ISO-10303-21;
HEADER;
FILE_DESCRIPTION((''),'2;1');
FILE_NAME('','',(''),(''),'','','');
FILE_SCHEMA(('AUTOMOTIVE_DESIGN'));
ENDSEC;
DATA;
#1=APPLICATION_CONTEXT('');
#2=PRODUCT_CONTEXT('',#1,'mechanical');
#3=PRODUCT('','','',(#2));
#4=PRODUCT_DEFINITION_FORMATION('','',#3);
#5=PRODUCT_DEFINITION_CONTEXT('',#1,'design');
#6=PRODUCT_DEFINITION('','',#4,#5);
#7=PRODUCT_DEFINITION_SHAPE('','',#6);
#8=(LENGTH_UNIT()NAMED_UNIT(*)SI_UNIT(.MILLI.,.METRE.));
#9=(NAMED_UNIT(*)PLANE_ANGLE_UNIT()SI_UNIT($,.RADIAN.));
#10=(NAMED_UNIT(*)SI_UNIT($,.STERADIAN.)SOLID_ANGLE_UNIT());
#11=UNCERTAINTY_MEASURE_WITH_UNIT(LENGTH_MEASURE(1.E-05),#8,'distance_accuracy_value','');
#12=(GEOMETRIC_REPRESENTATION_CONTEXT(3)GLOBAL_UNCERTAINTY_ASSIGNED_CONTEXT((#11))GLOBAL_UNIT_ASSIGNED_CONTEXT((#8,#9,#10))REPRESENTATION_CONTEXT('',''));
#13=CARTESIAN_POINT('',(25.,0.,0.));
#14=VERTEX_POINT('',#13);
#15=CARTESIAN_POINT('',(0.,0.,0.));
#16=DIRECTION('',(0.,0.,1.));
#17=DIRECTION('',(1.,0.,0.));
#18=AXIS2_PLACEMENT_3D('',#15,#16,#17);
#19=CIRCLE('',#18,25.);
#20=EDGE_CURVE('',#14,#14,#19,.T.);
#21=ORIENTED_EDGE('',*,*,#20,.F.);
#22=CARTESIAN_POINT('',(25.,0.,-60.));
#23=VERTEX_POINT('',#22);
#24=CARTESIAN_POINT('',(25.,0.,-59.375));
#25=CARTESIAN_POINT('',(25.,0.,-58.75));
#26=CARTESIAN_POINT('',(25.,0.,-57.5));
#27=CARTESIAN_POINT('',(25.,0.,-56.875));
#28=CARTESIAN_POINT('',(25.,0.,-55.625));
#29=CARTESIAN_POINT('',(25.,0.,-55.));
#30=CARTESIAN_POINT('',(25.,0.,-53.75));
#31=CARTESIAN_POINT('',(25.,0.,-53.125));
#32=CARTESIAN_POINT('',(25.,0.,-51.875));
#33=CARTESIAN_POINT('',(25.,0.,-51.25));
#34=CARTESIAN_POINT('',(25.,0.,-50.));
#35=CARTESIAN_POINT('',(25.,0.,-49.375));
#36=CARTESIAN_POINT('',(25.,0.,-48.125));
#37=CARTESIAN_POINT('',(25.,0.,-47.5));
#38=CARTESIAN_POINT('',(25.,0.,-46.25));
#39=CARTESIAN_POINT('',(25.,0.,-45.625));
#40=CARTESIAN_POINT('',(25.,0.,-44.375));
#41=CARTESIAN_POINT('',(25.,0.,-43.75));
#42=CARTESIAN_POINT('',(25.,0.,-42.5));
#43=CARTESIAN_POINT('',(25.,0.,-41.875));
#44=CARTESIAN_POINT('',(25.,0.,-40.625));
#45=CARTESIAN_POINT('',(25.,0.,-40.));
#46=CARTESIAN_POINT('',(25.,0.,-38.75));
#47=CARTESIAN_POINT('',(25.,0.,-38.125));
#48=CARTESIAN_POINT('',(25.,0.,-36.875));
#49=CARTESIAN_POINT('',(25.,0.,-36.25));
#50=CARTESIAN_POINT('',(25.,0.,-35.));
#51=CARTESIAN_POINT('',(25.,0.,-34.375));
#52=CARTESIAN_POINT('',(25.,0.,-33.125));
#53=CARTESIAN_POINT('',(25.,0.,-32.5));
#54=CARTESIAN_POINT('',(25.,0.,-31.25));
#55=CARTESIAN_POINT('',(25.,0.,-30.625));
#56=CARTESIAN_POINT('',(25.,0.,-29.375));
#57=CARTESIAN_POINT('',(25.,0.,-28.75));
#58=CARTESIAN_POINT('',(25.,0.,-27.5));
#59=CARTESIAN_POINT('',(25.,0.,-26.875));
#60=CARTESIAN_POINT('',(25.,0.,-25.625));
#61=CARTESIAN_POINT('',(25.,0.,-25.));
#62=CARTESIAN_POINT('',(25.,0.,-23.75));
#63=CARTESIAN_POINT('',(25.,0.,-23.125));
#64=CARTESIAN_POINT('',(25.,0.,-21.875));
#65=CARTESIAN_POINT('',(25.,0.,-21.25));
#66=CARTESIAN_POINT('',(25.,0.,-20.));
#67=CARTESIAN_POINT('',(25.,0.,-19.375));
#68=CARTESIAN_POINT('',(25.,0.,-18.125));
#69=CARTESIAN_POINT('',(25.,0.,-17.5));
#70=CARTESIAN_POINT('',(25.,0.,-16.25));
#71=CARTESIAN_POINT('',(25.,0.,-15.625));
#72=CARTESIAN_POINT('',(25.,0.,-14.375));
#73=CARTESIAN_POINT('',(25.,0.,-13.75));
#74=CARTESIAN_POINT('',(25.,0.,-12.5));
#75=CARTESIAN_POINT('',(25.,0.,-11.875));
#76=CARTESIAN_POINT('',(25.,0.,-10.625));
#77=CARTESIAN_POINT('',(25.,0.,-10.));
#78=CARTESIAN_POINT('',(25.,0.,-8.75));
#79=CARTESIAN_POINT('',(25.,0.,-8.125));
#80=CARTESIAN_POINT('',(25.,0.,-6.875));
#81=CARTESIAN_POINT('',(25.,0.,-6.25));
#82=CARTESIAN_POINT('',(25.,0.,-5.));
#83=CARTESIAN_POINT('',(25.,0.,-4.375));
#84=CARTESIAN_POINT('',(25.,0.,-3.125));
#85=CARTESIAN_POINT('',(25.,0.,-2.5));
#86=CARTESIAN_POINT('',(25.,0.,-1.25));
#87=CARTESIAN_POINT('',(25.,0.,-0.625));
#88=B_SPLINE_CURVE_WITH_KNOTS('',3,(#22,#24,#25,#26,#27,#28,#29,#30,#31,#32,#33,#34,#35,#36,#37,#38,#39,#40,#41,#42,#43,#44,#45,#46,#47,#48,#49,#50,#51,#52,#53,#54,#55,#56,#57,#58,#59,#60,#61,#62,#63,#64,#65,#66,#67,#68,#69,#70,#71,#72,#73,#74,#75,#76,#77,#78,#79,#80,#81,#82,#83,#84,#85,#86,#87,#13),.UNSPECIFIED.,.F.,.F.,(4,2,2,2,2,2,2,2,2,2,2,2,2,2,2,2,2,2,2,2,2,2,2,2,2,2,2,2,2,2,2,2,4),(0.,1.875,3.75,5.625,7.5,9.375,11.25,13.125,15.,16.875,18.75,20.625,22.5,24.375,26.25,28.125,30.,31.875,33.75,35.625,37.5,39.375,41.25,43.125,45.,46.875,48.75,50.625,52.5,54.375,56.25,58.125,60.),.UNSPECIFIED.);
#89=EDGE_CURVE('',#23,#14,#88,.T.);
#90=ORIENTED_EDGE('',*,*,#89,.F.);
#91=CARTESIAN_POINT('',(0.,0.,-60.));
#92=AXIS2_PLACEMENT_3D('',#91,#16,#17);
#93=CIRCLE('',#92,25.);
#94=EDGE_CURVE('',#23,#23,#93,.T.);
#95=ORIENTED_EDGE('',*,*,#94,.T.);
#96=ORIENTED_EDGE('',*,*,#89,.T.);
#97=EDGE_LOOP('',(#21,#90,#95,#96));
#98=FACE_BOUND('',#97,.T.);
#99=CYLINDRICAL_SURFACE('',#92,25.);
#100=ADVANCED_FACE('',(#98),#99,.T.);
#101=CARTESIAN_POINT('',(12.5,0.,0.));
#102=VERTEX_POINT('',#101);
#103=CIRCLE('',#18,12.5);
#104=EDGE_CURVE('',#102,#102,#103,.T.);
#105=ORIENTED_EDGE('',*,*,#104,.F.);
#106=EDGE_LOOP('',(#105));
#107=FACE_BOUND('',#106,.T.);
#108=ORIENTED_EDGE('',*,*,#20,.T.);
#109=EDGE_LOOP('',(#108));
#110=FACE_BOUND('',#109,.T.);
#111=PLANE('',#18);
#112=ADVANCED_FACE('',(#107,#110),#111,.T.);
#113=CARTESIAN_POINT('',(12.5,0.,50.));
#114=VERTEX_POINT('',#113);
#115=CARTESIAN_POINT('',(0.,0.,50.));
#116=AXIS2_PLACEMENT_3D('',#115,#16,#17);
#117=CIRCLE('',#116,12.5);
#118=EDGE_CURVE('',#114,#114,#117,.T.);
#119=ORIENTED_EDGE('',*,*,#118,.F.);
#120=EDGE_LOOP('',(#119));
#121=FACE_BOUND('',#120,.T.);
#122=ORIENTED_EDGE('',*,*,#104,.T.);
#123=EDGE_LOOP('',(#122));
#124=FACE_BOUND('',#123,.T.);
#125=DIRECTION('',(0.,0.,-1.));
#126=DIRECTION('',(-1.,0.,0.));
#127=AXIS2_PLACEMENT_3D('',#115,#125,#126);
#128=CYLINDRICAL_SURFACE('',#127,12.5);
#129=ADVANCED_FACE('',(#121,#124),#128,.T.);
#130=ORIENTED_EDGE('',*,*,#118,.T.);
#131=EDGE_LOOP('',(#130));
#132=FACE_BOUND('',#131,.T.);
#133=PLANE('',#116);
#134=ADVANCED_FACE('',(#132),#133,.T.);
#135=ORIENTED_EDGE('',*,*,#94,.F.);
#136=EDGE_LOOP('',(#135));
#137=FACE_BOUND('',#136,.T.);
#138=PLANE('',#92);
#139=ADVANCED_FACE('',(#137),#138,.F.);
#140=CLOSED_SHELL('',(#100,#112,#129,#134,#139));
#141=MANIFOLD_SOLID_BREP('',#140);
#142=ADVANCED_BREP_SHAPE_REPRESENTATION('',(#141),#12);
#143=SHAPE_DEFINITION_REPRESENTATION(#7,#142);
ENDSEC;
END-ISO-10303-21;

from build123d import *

# Parameters (mm, degrees)
SKETCH1_R           = 25
BOSS_EXTRUDE1_DEPTH = 60
SKETCH2_R           = 12.5
BOSS_EXTRUDE2_DEPTH = 50


with BuildPart() as part:
    # Sketch1 → Boss-Extrude1 (new body)
    with BuildSketch(Plane.XY):
        Circle(SKETCH1_R)
    extrude(amount=-BOSS_EXTRUDE1_DEPTH)

    # Sketch2 → Boss-Extrude2 (add)
    with BuildSketch(Plane.XY):
        Circle(SKETCH2_R)
    extrude(amount=BOSS_EXTRUDE2_DEPTH)


solid = part.part
